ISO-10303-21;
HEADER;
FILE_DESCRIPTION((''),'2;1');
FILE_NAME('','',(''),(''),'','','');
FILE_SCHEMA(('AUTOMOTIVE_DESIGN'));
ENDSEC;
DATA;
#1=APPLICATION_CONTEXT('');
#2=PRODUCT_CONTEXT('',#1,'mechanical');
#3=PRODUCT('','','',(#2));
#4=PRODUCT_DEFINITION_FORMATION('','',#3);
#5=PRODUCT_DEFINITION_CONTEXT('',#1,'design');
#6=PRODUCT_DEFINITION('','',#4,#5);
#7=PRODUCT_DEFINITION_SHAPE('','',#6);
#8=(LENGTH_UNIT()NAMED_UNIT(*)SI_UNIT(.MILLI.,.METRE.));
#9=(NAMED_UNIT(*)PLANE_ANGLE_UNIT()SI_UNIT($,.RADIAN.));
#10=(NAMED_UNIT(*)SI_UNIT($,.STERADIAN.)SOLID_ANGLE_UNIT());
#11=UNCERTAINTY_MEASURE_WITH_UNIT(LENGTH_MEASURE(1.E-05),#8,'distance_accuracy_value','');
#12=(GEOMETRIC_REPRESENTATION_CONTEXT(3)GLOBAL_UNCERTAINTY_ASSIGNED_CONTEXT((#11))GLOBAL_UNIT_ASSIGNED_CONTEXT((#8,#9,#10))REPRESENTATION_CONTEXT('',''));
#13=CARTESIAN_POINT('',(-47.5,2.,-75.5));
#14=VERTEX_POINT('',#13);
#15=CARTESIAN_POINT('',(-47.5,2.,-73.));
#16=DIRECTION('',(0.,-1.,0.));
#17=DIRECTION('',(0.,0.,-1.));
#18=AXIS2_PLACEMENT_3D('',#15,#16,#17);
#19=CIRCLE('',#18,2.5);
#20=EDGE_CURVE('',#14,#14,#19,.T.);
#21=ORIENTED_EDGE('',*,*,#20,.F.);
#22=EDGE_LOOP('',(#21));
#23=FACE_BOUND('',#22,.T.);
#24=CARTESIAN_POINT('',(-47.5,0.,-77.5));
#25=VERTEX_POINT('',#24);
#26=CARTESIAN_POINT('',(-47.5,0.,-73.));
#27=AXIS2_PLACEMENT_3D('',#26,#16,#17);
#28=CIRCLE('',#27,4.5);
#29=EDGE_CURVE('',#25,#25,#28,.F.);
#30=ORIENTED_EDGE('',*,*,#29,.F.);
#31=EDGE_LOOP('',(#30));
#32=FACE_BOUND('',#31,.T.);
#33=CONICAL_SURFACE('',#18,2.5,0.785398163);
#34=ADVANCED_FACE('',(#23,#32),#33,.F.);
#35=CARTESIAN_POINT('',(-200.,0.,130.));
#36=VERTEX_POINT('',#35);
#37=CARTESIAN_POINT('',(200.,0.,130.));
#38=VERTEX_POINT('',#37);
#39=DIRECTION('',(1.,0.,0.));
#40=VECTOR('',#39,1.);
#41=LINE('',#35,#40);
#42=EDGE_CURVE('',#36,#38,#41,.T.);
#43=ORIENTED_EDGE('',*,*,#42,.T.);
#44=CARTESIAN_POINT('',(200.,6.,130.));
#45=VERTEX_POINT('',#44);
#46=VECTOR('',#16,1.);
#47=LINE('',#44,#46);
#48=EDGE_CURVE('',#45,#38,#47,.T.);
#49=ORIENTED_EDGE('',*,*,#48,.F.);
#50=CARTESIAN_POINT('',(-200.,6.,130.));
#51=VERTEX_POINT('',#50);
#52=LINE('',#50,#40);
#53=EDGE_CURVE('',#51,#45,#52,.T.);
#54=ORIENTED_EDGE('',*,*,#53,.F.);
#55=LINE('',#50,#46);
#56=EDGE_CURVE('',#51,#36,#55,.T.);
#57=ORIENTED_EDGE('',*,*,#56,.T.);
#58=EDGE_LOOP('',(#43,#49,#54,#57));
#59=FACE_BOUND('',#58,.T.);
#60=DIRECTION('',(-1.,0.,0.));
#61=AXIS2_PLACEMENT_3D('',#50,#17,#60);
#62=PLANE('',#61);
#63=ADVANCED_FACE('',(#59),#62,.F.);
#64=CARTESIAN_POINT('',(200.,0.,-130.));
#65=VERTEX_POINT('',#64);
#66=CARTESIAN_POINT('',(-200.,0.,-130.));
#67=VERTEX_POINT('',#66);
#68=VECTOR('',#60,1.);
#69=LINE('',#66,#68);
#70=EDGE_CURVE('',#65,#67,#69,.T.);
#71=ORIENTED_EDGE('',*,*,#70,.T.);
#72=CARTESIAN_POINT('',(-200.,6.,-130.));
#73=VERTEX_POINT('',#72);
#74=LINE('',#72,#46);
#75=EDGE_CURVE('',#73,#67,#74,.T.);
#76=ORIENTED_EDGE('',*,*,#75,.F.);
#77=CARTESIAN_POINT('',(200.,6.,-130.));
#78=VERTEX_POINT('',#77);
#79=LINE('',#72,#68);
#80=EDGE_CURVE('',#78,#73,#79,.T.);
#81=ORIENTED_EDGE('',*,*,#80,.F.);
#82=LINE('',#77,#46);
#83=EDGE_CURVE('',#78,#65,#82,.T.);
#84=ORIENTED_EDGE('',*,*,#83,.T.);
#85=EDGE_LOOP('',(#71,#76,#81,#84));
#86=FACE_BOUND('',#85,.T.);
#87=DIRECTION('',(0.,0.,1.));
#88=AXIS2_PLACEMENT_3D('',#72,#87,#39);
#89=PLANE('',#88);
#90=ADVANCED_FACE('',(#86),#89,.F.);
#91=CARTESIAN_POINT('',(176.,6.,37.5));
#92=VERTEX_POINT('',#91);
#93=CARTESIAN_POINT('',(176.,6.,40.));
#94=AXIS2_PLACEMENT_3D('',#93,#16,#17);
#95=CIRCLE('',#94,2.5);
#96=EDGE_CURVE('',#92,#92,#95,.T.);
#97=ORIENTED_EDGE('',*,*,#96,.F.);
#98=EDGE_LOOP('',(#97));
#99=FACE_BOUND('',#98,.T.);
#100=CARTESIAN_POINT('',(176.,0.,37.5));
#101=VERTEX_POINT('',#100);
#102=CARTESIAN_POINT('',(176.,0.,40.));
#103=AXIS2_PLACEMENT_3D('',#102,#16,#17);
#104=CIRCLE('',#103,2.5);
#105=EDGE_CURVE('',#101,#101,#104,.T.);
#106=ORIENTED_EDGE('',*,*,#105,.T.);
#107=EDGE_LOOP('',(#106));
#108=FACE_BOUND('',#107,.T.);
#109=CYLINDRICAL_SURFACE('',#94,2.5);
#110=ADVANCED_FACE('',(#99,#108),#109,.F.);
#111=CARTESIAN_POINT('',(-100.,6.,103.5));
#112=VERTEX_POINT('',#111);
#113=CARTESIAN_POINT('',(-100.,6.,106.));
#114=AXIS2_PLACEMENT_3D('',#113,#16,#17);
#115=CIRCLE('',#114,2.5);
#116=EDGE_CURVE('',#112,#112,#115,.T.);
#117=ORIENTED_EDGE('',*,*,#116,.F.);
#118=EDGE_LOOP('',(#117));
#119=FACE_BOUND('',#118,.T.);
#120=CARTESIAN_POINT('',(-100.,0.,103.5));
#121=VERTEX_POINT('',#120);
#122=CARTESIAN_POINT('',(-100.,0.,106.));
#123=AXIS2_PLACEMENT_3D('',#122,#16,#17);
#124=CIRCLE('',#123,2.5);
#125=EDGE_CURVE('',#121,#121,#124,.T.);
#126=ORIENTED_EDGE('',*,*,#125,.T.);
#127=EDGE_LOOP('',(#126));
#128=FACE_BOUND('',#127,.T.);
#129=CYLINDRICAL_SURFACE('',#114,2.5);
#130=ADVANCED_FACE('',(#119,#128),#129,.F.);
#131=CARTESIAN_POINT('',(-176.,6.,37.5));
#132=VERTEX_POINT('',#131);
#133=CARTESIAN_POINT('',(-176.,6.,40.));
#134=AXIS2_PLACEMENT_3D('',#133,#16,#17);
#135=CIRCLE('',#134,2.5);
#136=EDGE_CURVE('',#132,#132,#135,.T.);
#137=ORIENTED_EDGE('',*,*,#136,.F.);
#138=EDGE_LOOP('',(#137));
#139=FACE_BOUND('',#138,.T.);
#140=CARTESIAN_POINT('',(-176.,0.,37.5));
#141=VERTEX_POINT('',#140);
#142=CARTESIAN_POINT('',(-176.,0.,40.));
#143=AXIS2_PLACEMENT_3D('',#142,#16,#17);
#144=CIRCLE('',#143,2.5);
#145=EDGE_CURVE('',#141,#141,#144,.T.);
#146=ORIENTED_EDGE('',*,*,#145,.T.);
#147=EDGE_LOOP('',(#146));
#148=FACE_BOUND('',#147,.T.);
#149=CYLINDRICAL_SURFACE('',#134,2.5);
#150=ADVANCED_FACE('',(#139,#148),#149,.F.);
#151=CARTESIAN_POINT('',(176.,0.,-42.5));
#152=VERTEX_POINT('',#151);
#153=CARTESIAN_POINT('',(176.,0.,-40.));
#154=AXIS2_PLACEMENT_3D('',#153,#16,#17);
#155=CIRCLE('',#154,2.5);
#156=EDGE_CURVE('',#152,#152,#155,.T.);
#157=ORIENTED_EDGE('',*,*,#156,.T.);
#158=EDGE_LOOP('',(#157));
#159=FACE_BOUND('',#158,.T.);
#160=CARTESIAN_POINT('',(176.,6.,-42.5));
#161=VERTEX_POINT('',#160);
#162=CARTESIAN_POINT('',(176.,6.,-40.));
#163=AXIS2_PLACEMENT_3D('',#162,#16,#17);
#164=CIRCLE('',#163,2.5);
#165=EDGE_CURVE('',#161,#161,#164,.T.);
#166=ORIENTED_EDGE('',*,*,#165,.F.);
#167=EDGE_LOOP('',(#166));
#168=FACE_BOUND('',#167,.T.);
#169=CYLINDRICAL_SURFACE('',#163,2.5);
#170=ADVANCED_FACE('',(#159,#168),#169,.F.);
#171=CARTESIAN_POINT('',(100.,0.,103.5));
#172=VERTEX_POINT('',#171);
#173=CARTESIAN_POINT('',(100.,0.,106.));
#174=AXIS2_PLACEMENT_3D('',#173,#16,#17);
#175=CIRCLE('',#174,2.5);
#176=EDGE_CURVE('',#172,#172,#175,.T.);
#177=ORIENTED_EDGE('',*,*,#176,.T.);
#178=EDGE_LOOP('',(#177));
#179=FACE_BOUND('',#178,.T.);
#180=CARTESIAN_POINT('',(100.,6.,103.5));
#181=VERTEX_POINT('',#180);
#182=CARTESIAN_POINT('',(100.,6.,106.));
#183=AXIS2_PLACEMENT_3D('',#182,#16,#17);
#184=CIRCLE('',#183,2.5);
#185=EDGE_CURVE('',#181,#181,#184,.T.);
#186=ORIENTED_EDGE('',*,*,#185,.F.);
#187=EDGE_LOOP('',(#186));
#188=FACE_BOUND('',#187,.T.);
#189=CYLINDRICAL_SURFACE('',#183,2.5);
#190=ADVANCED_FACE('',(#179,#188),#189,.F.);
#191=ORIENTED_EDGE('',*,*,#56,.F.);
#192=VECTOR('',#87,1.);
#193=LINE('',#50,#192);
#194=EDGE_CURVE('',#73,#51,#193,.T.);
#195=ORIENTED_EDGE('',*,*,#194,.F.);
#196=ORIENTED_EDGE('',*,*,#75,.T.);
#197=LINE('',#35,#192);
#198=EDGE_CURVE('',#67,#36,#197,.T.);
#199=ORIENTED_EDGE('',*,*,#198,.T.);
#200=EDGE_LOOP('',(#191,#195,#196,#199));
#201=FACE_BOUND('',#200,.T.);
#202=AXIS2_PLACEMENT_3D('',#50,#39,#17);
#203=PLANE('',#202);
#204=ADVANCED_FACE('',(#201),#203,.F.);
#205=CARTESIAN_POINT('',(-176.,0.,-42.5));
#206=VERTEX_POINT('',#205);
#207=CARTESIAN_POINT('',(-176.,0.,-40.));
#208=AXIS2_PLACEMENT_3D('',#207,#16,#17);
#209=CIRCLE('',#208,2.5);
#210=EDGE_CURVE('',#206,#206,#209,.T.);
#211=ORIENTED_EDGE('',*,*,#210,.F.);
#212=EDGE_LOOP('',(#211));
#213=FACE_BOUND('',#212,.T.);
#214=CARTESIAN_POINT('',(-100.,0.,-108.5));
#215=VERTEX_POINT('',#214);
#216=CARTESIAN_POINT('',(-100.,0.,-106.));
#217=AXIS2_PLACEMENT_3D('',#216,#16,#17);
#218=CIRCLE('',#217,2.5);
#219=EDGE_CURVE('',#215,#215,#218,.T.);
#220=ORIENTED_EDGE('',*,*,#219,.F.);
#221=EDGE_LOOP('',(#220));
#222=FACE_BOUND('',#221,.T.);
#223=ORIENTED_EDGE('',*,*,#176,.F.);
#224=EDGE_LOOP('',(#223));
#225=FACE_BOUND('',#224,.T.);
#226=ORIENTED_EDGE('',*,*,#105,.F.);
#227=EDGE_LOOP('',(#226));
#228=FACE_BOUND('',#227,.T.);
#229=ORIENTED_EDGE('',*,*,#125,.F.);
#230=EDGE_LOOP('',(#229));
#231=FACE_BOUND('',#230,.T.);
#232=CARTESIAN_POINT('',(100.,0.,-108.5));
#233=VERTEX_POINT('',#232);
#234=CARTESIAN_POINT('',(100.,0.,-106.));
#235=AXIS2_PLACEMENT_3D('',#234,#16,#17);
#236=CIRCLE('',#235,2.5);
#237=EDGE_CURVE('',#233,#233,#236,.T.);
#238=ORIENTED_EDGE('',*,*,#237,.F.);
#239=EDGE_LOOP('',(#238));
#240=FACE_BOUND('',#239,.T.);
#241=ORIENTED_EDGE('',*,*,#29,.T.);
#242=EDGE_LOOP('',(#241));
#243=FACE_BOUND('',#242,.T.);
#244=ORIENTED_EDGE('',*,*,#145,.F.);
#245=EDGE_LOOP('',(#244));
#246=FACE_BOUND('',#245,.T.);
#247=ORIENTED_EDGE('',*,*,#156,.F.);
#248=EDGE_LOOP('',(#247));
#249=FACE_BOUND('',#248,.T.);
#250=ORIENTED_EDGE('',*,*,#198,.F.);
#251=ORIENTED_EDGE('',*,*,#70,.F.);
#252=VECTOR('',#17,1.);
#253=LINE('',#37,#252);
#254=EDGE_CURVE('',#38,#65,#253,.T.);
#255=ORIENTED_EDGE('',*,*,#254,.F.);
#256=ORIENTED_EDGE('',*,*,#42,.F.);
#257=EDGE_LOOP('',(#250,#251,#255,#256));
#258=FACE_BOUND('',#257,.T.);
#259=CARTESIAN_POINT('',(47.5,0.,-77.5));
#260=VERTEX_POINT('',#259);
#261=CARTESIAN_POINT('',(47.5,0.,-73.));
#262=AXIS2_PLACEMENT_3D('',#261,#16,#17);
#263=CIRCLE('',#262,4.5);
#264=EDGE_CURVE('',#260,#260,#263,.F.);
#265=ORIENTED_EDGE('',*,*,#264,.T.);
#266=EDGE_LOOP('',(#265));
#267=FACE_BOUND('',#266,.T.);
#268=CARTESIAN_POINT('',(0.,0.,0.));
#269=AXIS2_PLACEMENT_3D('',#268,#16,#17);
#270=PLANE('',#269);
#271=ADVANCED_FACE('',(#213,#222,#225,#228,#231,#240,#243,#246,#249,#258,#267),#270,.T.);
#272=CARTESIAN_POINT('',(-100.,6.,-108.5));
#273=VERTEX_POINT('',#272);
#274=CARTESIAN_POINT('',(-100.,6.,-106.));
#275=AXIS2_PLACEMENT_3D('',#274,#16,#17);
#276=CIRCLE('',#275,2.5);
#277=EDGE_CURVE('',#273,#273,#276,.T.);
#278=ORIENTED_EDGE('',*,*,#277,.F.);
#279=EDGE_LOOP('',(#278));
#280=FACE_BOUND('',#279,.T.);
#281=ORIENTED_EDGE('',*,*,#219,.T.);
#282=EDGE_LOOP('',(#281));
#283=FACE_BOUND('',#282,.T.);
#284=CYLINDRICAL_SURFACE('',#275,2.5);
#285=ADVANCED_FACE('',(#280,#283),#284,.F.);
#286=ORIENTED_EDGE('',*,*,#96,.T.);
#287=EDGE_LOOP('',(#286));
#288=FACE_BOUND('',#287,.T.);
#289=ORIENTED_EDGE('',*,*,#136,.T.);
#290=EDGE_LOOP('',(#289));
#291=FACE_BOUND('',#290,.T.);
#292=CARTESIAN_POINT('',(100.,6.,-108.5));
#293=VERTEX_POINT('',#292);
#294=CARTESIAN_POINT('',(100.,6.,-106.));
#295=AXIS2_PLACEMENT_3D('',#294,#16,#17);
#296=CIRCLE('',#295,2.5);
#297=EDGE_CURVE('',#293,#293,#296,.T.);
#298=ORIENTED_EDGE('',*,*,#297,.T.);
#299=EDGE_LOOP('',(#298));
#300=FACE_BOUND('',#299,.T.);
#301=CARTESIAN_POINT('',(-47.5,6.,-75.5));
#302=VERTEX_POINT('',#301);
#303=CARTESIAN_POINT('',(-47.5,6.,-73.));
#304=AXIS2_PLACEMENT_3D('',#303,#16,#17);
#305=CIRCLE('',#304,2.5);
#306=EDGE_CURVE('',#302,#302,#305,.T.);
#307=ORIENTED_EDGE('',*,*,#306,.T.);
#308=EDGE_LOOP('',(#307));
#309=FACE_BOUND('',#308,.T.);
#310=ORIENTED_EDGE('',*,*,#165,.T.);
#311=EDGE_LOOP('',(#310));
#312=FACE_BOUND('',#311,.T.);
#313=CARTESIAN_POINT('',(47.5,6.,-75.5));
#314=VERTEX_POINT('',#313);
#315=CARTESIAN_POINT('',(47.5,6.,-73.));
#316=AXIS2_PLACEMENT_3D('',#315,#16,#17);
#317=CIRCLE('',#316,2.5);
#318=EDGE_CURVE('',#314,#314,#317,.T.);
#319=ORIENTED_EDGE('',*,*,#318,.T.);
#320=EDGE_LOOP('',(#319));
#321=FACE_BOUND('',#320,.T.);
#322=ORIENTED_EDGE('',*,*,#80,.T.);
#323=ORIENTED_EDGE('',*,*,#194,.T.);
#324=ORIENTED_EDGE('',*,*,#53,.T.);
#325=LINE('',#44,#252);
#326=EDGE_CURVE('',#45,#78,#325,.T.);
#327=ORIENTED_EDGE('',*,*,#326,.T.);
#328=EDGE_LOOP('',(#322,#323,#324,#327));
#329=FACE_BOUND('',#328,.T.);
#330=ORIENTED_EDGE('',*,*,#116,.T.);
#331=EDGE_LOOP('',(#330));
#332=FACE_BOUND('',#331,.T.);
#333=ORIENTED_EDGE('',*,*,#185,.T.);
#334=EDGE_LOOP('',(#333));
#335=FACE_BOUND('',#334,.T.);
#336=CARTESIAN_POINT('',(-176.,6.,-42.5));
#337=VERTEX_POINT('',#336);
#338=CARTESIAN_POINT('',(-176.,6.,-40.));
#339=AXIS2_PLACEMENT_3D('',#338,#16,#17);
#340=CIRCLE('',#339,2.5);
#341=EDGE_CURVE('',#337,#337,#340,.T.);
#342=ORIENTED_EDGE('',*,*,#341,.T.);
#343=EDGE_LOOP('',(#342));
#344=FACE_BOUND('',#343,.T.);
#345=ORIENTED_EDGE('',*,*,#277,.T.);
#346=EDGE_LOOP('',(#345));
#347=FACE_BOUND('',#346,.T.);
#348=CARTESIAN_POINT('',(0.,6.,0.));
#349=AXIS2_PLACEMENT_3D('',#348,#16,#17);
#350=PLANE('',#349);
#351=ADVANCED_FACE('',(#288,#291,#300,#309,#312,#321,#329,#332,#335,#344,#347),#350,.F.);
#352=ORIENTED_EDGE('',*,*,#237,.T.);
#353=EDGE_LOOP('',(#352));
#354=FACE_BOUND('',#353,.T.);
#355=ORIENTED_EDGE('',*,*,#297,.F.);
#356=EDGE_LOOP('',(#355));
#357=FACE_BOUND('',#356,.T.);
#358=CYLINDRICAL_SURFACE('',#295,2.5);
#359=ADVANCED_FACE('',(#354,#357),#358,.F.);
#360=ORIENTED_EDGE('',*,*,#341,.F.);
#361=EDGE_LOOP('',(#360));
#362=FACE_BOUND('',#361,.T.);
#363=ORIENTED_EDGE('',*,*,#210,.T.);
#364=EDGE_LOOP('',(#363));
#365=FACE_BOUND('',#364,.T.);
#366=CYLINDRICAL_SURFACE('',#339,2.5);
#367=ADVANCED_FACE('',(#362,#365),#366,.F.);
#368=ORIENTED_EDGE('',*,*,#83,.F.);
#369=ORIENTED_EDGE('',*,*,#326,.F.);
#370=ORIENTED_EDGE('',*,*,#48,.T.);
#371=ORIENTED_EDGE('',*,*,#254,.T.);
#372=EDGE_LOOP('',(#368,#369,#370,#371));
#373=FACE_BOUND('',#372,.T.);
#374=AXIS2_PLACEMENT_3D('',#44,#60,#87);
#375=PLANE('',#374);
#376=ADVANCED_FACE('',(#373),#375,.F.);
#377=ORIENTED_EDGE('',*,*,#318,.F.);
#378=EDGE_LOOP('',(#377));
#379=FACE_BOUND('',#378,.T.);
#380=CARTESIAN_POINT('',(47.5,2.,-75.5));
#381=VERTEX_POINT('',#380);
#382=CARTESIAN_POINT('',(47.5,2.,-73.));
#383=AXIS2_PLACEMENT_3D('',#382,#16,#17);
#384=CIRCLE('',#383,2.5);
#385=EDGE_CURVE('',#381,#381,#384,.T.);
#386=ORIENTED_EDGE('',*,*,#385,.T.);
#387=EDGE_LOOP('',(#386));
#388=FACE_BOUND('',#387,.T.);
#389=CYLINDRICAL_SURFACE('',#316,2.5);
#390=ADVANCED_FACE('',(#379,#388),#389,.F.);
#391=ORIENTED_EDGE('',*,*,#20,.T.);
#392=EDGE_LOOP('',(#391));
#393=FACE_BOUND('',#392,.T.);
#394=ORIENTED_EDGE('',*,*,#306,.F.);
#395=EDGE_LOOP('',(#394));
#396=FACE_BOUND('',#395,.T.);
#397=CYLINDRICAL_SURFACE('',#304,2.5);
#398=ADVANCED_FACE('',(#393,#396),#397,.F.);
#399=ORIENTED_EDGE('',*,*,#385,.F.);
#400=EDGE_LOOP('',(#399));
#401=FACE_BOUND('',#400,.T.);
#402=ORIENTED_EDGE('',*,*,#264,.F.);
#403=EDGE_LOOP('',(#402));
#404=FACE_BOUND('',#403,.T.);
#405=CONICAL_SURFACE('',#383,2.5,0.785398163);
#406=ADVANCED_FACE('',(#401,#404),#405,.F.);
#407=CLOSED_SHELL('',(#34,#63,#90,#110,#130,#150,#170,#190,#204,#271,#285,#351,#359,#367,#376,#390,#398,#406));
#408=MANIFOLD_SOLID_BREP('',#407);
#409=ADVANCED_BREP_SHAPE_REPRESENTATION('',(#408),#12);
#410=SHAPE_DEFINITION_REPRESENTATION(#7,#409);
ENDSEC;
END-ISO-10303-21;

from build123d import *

# Parameters (mm, degrees)
ESQUISSE1_W             = 400
ESQUISSE1_H             = 260
BOSS_EXTRU_1_DEPTH      = 6
ESQUISSE2_R             = 2.5
ENL_V_MAT_EXTRU_1_DEPTH = 239.612656831
ESQUISSE3_R             = 2.5
ENL_V_MAT_EXTRU_2_DEPTH = 239.612656831
CHANFREIN2_SIZE         = 2


with BuildPart() as part:
    # Esquisse1 → Boss.-Extru.1 (new body)
    with BuildSketch(Plane(origin=(0, 0, 0), x_dir=(1, 0, 0), z_dir=(0, 1, 0))):
        Rectangle(ESQUISSE1_W, ESQUISSE1_H)
    extrude(amount=BOSS_EXTRU_1_DEPTH)

    # Esquisse2 → Enlèv. mat.-Extru.1 (cut, through all)
    with BuildSketch(Plane.XZ):
        with Locations(Location((-100, 106, 0), (0, 0, 270))):
            Circle(ESQUISSE2_R)
        with Locations(Location((100, 106, 0), (0, 0, 270))):
            Circle(ESQUISSE2_R)
        with Locations(Location((176, 40, 0), (0, 0, 270))):
            Circle(ESQUISSE2_R)
        with Locations(Location((176, -40, 0), (0, 0, 270))):
            Circle(ESQUISSE2_R)
        with Locations(Location((100, -106, 0), (0, 0, 270))):
            Circle(ESQUISSE2_R)
        with Locations(Location((-100, -106, 0), (0, 0, 270))):
            Circle(ESQUISSE2_R)
        with Locations(Location((-176, -40, 0), (0, 0, 270))):
            Circle(ESQUISSE2_R)
        with Locations(Location((-176, 40, 0), (0, 0, 270))):
            Circle(ESQUISSE2_R)
    extrude(amount=-ENL_V_MAT_EXTRU_1_DEPTH, mode=Mode.SUBTRACT)

    # Esquisse3 → Enlèv. mat.-Extru.2 (cut, through all)
    with BuildSketch(Plane.XZ):
        with Locations(Location((47.5, -73, 0), (0, 0, 270))):
            Circle(ESQUISSE3_R)
        with Locations(Location((-47.5, -73, 0), (0, 0, 270))):
            Circle(ESQUISSE3_R)
    extrude(amount=-ENL_V_MAT_EXTRU_2_DEPTH, mode=Mode.SUBTRACT)

    # Chanfrein2
    chanfrein2_edges = [part.edges().sort_by_distance(p)[0] for p in [
        (47.5, 0, -70.5),
        (-47.5, 0, -70.5),
    ]]
    chamfer(chanfrein2_edges, length=CHANFREIN2_SIZE)


solid = part.part
